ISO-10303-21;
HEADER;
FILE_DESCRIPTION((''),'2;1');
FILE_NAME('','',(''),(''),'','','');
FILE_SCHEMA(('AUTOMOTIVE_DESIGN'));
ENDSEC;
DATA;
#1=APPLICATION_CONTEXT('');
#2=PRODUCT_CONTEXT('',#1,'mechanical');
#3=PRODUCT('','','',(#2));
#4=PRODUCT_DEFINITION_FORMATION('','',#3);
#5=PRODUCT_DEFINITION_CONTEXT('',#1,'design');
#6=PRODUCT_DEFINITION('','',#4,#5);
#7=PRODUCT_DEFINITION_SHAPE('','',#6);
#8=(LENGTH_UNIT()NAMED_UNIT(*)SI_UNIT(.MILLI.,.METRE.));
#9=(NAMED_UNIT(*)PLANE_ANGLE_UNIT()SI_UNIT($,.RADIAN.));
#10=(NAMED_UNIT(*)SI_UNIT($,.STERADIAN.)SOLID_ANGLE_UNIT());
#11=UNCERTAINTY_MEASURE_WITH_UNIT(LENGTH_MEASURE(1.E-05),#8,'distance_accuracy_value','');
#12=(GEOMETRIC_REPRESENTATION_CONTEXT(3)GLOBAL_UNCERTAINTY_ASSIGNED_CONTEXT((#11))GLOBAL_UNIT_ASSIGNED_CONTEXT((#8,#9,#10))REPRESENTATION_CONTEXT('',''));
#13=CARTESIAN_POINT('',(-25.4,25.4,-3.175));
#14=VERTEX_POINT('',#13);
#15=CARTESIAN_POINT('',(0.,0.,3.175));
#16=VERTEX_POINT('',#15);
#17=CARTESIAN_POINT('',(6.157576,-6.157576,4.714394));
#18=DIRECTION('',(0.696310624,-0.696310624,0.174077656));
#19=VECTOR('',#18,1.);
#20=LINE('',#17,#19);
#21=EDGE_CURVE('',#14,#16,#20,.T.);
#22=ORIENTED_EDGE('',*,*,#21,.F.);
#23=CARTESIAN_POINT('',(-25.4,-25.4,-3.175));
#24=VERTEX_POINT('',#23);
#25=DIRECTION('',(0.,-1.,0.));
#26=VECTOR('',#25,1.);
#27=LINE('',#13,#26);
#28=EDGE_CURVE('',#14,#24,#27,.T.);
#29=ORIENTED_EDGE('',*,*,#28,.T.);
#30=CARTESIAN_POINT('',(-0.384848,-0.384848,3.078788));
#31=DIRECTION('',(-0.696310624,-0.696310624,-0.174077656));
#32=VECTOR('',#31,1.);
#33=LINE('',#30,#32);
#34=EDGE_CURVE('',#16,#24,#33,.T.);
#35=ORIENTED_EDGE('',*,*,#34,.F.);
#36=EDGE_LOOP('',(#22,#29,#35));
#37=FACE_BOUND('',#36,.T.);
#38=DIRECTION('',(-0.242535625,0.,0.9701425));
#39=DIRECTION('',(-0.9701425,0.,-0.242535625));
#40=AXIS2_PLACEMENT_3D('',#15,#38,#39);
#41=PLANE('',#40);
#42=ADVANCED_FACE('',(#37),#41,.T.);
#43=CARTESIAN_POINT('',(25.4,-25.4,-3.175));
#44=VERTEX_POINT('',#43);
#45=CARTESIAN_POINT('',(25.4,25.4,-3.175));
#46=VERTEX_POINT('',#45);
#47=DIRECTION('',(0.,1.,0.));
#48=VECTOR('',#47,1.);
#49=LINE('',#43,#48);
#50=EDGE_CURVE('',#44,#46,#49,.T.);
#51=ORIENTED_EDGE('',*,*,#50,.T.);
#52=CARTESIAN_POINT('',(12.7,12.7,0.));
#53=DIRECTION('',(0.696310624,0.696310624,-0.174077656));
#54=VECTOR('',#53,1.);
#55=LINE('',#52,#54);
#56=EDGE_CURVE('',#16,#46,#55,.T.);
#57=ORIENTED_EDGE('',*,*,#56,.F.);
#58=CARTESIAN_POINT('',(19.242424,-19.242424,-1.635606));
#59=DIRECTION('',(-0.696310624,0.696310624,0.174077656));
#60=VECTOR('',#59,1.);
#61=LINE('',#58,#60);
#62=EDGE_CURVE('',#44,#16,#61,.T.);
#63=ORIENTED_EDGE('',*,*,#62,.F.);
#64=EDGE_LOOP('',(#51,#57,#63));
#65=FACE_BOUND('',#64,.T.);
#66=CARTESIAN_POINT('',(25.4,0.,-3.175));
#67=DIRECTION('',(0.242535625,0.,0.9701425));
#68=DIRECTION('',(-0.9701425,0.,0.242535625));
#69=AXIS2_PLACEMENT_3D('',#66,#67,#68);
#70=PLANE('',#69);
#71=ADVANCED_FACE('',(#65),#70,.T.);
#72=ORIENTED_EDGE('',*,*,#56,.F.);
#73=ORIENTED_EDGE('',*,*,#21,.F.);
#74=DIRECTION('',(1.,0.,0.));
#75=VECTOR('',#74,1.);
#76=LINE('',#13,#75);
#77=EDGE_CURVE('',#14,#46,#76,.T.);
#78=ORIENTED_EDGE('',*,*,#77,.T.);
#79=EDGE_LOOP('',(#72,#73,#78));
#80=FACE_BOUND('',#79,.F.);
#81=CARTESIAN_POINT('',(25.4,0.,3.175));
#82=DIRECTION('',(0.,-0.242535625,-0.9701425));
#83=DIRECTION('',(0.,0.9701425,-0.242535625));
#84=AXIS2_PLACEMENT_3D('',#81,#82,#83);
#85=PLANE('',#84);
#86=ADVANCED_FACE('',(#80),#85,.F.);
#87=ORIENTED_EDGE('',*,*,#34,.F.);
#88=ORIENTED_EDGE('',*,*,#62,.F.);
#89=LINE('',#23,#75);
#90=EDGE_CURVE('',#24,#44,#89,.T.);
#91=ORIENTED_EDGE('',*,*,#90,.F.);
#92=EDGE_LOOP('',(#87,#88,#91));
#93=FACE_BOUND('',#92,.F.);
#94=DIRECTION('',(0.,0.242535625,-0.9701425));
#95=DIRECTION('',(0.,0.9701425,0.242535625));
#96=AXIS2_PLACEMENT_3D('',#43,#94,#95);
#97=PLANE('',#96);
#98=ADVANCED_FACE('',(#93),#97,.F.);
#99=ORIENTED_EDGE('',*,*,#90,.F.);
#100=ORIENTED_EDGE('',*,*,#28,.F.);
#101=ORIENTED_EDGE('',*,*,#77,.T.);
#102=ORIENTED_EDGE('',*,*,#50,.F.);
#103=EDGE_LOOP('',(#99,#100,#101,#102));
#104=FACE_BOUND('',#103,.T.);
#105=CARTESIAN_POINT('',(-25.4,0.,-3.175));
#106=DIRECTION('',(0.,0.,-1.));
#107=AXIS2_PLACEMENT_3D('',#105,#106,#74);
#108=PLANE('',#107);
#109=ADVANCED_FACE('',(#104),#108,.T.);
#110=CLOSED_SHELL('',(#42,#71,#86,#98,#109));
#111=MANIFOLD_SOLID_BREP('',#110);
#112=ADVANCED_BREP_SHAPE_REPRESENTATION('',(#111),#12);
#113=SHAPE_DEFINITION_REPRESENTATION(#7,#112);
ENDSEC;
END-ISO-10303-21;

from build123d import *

# Parameters (mm, degrees)
F1_DEPTH = 25.4
F4_DEPTH = 50.801


with BuildPart() as f1:
    # F0 (on Front) → F1 (new body, symmetric)
    with BuildSketch(Plane.XZ):
        Polygon((0, 3.175), (-25.4, -3.175), (25.4, -3.175), align=None)
    extrude(amount=F1_DEPTH, both=True)

    # F3 (on offset) → F4 (cut, through all)
    with BuildSketch(Plane.YZ.offset(25.4)):
        Polygon((0, 3.175), (-25.4, 3.175), (-25.4, -3.175), align=None)
        Polygon((25.4, 3.175), (0, 3.175), (25.4, -3.175), align=None)
    extrude(amount=-F4_DEPTH, mode=Mode.SUBTRACT)


solid = f1.part
